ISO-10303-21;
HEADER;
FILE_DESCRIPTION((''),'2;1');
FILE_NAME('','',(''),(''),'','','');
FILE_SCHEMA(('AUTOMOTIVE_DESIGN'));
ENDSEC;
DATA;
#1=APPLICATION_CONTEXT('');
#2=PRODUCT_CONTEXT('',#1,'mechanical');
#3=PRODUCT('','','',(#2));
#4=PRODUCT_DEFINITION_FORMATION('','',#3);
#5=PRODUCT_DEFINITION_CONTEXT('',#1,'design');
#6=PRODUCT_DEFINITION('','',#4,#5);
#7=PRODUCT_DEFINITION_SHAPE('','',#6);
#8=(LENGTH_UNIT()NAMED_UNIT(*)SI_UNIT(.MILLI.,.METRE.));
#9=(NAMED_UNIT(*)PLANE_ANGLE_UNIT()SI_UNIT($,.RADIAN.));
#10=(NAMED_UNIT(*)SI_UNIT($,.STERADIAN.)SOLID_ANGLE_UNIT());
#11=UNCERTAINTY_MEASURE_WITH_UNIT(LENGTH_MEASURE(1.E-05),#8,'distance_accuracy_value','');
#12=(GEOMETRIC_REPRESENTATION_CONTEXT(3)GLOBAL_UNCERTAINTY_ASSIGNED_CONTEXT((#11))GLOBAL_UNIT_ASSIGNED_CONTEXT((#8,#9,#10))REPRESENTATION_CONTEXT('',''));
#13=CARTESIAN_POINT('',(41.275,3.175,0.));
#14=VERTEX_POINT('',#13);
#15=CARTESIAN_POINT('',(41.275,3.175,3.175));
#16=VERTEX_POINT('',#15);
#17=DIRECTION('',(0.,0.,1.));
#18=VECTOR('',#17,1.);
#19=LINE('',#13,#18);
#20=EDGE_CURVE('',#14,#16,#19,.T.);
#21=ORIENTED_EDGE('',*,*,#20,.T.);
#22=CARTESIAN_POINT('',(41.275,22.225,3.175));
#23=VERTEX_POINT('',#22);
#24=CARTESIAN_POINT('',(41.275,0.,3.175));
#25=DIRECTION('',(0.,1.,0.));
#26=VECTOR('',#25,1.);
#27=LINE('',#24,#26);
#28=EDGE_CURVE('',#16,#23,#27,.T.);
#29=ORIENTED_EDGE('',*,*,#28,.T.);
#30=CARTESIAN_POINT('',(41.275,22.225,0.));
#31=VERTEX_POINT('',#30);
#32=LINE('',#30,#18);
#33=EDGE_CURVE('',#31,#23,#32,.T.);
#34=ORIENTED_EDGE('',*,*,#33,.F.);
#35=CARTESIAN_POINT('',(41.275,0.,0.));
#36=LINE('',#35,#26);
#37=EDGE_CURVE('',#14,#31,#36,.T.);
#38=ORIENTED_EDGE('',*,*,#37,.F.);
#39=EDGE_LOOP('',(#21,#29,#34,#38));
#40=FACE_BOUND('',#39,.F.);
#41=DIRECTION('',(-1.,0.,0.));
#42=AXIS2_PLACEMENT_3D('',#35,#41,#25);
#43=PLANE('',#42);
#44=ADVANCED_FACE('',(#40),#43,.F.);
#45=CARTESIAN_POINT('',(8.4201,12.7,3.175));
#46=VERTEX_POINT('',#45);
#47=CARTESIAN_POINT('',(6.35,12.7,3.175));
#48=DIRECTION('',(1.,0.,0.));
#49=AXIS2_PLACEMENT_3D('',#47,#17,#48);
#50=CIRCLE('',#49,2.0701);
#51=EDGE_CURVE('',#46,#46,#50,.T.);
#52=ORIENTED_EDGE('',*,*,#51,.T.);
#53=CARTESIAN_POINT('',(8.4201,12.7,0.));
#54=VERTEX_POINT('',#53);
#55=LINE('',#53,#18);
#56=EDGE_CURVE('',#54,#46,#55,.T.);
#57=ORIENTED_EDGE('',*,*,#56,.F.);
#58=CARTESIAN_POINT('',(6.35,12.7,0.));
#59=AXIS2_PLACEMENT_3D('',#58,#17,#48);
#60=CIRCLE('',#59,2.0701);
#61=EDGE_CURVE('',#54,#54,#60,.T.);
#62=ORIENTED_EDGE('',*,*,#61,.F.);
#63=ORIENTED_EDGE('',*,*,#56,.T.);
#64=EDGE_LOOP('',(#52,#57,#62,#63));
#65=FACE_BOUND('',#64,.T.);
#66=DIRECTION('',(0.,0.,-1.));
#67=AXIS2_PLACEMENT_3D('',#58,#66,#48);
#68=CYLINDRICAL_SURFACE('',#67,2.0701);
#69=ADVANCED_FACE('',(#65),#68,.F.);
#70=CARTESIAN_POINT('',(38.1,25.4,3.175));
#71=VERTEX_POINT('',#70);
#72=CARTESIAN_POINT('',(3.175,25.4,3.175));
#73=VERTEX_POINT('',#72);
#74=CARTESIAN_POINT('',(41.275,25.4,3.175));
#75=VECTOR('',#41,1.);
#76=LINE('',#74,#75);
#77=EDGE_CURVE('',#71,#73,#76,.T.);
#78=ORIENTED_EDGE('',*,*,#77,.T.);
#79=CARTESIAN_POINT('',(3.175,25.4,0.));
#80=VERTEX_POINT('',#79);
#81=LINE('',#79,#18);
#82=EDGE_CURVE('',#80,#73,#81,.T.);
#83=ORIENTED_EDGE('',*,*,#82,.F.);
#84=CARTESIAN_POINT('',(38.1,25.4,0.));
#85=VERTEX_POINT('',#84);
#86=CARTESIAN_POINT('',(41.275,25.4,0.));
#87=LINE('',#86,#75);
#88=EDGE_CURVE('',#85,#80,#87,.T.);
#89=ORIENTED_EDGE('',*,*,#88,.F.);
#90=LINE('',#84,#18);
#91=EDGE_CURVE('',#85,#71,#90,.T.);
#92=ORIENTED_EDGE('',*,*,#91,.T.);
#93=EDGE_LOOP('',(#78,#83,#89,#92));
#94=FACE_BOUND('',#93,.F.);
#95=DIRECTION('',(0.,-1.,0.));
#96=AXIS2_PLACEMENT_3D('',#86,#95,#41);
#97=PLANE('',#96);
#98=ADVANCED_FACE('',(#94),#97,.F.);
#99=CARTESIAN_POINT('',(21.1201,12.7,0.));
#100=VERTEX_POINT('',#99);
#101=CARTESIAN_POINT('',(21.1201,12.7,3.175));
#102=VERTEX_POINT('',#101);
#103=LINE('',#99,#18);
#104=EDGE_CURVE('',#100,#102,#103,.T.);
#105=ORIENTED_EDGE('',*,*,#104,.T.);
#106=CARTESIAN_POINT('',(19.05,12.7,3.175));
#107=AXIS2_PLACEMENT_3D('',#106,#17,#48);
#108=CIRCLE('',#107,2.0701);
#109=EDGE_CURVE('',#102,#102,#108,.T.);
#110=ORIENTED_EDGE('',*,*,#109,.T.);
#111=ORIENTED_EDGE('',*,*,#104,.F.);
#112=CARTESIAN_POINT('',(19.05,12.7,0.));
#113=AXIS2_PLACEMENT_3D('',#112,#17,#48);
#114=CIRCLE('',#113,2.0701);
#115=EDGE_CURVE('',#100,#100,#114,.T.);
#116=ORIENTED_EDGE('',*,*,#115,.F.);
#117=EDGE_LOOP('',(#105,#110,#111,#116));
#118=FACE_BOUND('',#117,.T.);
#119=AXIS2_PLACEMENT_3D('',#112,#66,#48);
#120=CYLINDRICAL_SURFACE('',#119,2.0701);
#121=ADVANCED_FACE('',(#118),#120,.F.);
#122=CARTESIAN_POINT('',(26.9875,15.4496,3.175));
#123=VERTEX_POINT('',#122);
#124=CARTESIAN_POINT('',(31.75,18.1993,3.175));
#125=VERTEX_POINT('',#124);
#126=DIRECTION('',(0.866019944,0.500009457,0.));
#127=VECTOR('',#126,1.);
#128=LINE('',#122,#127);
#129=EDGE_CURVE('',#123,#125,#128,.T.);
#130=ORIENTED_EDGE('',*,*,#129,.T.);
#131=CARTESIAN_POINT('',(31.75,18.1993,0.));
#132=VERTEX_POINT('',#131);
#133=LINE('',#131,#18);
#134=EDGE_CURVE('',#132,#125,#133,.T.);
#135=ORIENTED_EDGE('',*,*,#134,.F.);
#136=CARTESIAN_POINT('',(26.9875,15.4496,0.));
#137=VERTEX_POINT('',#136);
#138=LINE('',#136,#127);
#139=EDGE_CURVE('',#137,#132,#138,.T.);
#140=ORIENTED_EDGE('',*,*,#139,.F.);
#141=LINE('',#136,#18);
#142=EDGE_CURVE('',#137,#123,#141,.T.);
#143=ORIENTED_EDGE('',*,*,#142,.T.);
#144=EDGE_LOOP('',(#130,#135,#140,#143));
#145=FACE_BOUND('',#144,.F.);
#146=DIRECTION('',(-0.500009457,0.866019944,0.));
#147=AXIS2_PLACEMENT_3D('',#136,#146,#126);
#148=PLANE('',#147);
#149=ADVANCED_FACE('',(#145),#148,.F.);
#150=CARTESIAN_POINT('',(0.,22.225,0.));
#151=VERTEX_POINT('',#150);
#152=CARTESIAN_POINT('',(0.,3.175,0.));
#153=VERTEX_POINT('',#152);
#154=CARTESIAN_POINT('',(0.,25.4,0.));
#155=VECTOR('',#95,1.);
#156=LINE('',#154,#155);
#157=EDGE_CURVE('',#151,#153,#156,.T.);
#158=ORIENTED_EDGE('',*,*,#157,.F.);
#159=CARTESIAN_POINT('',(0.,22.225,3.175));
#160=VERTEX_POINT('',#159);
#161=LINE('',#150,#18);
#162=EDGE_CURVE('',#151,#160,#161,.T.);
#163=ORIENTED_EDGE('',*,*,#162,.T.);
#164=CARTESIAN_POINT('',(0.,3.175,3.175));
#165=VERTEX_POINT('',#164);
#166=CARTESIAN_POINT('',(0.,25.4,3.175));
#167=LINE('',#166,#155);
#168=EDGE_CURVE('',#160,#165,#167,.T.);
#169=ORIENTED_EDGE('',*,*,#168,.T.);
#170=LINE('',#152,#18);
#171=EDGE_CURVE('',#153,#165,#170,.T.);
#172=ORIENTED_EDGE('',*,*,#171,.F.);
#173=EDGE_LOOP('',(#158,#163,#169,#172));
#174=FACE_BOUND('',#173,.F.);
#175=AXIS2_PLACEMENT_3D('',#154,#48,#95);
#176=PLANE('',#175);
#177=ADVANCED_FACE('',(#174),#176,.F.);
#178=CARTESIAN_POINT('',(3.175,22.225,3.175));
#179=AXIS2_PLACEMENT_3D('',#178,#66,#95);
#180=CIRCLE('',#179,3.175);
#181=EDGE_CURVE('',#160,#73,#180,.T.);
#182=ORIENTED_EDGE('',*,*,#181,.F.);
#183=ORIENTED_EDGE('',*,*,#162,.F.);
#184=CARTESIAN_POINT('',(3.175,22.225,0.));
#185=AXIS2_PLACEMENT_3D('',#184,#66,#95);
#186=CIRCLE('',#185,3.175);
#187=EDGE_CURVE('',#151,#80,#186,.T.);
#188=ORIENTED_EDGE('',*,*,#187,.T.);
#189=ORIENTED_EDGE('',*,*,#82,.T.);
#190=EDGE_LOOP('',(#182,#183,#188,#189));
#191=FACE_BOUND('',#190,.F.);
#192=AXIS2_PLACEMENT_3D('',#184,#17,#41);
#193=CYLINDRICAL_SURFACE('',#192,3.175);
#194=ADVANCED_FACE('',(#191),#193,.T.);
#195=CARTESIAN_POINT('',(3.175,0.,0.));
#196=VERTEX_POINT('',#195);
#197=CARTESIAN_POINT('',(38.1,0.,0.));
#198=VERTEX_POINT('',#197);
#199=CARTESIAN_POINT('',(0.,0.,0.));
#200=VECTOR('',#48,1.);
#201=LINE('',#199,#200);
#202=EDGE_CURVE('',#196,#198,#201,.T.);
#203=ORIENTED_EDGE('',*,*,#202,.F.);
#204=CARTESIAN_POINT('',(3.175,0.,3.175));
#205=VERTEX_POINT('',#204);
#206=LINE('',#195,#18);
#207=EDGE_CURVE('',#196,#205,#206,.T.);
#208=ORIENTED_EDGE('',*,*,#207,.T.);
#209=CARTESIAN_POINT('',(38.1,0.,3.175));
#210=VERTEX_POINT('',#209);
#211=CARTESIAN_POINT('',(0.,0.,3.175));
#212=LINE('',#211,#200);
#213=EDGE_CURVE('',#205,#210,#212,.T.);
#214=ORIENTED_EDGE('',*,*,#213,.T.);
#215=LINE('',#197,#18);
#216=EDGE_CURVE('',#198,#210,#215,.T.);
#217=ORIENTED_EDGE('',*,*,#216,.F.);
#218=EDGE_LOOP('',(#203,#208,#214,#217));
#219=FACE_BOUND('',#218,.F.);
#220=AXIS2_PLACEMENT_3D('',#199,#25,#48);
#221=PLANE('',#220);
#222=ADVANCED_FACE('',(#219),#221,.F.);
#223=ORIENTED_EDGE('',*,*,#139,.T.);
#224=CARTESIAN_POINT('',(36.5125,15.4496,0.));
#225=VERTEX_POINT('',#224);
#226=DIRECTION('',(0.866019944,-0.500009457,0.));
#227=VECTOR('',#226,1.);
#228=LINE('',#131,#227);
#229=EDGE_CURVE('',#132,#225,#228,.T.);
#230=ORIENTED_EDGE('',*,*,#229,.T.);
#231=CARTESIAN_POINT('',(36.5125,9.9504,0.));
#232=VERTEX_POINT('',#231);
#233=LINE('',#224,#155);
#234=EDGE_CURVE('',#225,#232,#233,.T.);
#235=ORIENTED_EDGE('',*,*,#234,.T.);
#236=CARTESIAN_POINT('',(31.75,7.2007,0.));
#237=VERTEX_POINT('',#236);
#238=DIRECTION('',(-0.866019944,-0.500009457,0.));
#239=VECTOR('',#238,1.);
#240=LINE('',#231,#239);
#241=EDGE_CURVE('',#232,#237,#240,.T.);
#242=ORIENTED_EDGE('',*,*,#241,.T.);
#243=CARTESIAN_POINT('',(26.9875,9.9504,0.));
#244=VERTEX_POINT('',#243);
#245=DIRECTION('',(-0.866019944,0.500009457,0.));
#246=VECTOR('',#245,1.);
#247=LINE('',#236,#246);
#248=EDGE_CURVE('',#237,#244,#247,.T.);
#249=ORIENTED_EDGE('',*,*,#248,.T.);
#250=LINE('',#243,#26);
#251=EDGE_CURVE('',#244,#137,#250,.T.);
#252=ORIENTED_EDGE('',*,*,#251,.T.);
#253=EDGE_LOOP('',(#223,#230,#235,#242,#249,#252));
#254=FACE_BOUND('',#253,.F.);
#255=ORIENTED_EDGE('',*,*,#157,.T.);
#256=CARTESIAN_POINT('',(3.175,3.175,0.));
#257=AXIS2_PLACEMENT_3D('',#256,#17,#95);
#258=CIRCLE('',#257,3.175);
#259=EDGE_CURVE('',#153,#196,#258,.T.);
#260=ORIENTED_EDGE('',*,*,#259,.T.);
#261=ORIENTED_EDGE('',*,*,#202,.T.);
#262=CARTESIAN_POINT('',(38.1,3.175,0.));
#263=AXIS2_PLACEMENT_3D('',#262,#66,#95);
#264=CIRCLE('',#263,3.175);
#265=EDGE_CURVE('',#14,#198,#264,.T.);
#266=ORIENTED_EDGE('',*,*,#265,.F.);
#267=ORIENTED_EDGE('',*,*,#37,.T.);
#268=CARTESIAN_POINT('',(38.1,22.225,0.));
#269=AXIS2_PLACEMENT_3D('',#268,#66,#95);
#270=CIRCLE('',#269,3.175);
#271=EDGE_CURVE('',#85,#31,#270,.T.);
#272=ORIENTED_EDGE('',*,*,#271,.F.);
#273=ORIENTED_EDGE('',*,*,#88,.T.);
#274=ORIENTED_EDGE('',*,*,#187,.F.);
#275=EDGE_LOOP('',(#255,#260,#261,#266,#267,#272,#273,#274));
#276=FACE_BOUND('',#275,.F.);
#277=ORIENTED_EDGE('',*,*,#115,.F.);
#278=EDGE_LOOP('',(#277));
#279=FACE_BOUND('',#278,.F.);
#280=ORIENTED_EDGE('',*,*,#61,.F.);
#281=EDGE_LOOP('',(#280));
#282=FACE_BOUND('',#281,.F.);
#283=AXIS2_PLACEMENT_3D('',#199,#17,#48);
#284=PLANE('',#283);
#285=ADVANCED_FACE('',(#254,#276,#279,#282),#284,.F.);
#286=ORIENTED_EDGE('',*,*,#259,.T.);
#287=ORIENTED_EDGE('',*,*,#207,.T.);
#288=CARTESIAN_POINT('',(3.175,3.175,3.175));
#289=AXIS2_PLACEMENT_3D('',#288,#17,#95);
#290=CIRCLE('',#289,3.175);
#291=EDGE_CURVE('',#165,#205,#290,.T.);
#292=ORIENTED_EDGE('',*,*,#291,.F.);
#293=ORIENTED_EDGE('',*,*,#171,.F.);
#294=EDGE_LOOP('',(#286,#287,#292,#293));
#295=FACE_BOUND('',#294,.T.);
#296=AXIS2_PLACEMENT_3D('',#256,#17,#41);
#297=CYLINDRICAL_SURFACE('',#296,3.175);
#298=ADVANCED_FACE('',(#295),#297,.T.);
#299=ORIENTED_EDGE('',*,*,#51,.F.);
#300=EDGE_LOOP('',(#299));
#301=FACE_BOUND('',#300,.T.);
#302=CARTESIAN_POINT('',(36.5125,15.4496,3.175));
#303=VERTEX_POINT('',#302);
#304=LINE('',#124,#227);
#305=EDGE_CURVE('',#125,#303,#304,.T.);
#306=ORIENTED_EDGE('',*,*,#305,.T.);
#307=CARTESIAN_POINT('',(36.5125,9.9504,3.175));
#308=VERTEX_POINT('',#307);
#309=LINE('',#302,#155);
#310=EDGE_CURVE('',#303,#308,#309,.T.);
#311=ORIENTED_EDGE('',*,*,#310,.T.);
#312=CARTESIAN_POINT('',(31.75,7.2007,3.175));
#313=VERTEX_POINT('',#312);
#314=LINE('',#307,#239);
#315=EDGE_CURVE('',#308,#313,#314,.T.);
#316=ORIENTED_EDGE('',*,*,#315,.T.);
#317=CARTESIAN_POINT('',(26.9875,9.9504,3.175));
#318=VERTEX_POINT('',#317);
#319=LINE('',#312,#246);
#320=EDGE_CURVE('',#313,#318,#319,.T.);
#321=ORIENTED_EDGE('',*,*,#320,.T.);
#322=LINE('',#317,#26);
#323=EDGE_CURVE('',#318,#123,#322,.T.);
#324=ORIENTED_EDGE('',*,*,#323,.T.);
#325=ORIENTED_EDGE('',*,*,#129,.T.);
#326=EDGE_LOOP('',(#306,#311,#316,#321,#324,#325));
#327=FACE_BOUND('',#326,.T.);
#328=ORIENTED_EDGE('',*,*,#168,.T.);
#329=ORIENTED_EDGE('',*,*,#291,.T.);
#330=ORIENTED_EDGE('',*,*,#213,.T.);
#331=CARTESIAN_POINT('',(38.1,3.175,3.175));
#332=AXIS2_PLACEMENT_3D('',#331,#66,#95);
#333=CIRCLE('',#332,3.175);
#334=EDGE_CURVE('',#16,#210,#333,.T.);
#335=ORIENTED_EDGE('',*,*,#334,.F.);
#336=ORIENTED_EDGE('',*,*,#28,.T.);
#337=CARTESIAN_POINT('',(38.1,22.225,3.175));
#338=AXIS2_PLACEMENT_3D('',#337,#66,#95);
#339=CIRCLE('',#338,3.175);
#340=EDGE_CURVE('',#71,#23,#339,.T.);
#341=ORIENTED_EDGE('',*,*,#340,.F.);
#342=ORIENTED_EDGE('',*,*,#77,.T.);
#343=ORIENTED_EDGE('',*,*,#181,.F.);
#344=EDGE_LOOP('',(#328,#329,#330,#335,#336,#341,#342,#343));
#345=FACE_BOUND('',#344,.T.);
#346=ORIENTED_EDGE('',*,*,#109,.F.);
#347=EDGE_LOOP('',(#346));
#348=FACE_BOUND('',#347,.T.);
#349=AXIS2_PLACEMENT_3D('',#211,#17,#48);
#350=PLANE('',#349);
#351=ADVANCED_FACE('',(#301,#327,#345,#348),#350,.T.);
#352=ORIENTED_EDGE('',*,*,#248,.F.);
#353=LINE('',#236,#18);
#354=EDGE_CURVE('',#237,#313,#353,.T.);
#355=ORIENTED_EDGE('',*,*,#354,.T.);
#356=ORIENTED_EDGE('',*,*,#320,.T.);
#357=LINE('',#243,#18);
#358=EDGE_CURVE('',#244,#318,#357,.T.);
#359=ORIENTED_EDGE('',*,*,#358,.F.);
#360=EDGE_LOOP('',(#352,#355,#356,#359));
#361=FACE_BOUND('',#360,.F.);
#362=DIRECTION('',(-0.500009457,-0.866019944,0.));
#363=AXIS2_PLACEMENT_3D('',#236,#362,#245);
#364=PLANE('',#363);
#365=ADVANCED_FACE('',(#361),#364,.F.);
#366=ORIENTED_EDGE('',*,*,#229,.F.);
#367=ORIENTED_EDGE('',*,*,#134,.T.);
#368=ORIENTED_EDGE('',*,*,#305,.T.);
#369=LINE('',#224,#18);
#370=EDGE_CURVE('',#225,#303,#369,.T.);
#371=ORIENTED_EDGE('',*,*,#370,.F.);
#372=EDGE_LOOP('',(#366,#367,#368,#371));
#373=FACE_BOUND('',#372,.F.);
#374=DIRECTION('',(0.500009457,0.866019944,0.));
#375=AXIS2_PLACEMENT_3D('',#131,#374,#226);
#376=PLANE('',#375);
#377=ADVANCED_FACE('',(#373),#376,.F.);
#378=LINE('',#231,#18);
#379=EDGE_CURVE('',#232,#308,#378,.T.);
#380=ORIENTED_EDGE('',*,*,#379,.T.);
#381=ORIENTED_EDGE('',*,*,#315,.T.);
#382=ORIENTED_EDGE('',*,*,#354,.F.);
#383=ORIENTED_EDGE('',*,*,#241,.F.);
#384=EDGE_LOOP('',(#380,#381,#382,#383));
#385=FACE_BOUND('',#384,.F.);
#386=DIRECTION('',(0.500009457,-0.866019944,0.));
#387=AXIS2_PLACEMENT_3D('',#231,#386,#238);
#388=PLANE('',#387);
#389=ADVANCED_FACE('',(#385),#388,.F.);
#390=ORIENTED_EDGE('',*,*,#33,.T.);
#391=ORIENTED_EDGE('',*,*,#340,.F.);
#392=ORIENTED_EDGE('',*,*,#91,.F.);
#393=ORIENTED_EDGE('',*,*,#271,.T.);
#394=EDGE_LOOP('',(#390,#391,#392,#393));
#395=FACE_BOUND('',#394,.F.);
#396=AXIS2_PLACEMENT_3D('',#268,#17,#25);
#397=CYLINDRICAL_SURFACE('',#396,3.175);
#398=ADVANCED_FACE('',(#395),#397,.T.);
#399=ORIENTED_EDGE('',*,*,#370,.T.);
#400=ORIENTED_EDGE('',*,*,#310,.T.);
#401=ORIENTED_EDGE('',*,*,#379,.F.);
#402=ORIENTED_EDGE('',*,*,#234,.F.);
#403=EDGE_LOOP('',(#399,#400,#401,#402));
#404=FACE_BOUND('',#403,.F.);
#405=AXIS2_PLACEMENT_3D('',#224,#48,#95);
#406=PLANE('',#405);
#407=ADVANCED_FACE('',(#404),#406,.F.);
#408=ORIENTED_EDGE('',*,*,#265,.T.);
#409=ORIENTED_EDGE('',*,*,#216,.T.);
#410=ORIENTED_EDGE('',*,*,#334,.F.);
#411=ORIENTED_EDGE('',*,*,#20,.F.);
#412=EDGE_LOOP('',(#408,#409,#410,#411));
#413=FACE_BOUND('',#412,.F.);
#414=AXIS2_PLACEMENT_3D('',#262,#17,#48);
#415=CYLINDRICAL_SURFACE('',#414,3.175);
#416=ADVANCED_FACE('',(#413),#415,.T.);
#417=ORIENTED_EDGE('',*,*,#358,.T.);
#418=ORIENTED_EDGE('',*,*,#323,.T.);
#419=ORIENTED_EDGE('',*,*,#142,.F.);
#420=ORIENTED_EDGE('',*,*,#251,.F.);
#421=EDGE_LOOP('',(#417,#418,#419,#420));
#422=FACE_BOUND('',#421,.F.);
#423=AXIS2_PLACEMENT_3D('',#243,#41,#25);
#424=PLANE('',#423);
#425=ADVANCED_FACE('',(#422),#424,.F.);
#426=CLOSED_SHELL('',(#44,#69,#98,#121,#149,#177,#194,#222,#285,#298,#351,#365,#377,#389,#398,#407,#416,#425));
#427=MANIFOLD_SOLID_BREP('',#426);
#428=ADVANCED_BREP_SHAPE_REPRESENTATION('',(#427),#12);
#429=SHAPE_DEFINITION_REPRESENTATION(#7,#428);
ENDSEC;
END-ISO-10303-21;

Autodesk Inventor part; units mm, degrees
ref_plane "YZ Plane" through (0, 0, 0) normal (1, 0, 0) x (0, 1, 0)
ref_plane "XZ Plane" through (0, 0, 0) normal (0, 1, 0) x (-1, 0, 0)
ref_plane "XY Plane" through (0, 0, 0) normal (0, 0, 1) x (1, 0, 0)
sketch "Sketch1" plane through (0, 0, 0) normal (0, 0, 1) x (1, 0, 0)
  line L0 (0, 0) -> (41.275, 0)
  line L1 (41.275, 0) -> (41.275, 25.4)
  line L2 (41.275, 25.4) -> (0, 25.4)
  line L3 (0, 25.4) -> (0, 0)
  circle A0 centre (6.35, 12.7) radius 2.0701
  line L4 (31.75, 18.1993) -> (36.5125, 15.4496)
  line L5 (36.5125, 15.4496) -> (36.5125, 9.9504)
  line L6 (36.5125, 9.9504) -> (31.75, 7.2007)
  line L7 (31.75, 7.2007) -> (26.9875, 9.9504)
  line L8 (26.9875, 9.9504) -> (26.9875, 15.4496)
  line L9 (26.9875, 15.4496) -> (31.75, 18.1993)
  circle A1 centre (19.05, 12.7) radius 2.0701
  point P0 (31.75, 12.7)
  dimension "d0" = 41.275
  dimension "d1" = 25.4
  dimension "d2" = 4.1402
  dimension "d3" = 12.7
  dimension "d4" = 6.35
  dimension "d5" = 25.4
  dimension "d6" = 9.525
  dimension "d7" = 12.7
  dimension "d13" = 12.7
extrude "Extrusion1" add sketch "Sketch1" along normal blind 3.175
fillet "Fillet1" radius 3.175 4 edges at (41.275, 25.4, 1.5875) (41.275, 0, 1.5875) (0, 25.4, 1.5875) (0, 0, 1.5875)
properties part number "Hex Spacer" material "Aluminum 6061"
